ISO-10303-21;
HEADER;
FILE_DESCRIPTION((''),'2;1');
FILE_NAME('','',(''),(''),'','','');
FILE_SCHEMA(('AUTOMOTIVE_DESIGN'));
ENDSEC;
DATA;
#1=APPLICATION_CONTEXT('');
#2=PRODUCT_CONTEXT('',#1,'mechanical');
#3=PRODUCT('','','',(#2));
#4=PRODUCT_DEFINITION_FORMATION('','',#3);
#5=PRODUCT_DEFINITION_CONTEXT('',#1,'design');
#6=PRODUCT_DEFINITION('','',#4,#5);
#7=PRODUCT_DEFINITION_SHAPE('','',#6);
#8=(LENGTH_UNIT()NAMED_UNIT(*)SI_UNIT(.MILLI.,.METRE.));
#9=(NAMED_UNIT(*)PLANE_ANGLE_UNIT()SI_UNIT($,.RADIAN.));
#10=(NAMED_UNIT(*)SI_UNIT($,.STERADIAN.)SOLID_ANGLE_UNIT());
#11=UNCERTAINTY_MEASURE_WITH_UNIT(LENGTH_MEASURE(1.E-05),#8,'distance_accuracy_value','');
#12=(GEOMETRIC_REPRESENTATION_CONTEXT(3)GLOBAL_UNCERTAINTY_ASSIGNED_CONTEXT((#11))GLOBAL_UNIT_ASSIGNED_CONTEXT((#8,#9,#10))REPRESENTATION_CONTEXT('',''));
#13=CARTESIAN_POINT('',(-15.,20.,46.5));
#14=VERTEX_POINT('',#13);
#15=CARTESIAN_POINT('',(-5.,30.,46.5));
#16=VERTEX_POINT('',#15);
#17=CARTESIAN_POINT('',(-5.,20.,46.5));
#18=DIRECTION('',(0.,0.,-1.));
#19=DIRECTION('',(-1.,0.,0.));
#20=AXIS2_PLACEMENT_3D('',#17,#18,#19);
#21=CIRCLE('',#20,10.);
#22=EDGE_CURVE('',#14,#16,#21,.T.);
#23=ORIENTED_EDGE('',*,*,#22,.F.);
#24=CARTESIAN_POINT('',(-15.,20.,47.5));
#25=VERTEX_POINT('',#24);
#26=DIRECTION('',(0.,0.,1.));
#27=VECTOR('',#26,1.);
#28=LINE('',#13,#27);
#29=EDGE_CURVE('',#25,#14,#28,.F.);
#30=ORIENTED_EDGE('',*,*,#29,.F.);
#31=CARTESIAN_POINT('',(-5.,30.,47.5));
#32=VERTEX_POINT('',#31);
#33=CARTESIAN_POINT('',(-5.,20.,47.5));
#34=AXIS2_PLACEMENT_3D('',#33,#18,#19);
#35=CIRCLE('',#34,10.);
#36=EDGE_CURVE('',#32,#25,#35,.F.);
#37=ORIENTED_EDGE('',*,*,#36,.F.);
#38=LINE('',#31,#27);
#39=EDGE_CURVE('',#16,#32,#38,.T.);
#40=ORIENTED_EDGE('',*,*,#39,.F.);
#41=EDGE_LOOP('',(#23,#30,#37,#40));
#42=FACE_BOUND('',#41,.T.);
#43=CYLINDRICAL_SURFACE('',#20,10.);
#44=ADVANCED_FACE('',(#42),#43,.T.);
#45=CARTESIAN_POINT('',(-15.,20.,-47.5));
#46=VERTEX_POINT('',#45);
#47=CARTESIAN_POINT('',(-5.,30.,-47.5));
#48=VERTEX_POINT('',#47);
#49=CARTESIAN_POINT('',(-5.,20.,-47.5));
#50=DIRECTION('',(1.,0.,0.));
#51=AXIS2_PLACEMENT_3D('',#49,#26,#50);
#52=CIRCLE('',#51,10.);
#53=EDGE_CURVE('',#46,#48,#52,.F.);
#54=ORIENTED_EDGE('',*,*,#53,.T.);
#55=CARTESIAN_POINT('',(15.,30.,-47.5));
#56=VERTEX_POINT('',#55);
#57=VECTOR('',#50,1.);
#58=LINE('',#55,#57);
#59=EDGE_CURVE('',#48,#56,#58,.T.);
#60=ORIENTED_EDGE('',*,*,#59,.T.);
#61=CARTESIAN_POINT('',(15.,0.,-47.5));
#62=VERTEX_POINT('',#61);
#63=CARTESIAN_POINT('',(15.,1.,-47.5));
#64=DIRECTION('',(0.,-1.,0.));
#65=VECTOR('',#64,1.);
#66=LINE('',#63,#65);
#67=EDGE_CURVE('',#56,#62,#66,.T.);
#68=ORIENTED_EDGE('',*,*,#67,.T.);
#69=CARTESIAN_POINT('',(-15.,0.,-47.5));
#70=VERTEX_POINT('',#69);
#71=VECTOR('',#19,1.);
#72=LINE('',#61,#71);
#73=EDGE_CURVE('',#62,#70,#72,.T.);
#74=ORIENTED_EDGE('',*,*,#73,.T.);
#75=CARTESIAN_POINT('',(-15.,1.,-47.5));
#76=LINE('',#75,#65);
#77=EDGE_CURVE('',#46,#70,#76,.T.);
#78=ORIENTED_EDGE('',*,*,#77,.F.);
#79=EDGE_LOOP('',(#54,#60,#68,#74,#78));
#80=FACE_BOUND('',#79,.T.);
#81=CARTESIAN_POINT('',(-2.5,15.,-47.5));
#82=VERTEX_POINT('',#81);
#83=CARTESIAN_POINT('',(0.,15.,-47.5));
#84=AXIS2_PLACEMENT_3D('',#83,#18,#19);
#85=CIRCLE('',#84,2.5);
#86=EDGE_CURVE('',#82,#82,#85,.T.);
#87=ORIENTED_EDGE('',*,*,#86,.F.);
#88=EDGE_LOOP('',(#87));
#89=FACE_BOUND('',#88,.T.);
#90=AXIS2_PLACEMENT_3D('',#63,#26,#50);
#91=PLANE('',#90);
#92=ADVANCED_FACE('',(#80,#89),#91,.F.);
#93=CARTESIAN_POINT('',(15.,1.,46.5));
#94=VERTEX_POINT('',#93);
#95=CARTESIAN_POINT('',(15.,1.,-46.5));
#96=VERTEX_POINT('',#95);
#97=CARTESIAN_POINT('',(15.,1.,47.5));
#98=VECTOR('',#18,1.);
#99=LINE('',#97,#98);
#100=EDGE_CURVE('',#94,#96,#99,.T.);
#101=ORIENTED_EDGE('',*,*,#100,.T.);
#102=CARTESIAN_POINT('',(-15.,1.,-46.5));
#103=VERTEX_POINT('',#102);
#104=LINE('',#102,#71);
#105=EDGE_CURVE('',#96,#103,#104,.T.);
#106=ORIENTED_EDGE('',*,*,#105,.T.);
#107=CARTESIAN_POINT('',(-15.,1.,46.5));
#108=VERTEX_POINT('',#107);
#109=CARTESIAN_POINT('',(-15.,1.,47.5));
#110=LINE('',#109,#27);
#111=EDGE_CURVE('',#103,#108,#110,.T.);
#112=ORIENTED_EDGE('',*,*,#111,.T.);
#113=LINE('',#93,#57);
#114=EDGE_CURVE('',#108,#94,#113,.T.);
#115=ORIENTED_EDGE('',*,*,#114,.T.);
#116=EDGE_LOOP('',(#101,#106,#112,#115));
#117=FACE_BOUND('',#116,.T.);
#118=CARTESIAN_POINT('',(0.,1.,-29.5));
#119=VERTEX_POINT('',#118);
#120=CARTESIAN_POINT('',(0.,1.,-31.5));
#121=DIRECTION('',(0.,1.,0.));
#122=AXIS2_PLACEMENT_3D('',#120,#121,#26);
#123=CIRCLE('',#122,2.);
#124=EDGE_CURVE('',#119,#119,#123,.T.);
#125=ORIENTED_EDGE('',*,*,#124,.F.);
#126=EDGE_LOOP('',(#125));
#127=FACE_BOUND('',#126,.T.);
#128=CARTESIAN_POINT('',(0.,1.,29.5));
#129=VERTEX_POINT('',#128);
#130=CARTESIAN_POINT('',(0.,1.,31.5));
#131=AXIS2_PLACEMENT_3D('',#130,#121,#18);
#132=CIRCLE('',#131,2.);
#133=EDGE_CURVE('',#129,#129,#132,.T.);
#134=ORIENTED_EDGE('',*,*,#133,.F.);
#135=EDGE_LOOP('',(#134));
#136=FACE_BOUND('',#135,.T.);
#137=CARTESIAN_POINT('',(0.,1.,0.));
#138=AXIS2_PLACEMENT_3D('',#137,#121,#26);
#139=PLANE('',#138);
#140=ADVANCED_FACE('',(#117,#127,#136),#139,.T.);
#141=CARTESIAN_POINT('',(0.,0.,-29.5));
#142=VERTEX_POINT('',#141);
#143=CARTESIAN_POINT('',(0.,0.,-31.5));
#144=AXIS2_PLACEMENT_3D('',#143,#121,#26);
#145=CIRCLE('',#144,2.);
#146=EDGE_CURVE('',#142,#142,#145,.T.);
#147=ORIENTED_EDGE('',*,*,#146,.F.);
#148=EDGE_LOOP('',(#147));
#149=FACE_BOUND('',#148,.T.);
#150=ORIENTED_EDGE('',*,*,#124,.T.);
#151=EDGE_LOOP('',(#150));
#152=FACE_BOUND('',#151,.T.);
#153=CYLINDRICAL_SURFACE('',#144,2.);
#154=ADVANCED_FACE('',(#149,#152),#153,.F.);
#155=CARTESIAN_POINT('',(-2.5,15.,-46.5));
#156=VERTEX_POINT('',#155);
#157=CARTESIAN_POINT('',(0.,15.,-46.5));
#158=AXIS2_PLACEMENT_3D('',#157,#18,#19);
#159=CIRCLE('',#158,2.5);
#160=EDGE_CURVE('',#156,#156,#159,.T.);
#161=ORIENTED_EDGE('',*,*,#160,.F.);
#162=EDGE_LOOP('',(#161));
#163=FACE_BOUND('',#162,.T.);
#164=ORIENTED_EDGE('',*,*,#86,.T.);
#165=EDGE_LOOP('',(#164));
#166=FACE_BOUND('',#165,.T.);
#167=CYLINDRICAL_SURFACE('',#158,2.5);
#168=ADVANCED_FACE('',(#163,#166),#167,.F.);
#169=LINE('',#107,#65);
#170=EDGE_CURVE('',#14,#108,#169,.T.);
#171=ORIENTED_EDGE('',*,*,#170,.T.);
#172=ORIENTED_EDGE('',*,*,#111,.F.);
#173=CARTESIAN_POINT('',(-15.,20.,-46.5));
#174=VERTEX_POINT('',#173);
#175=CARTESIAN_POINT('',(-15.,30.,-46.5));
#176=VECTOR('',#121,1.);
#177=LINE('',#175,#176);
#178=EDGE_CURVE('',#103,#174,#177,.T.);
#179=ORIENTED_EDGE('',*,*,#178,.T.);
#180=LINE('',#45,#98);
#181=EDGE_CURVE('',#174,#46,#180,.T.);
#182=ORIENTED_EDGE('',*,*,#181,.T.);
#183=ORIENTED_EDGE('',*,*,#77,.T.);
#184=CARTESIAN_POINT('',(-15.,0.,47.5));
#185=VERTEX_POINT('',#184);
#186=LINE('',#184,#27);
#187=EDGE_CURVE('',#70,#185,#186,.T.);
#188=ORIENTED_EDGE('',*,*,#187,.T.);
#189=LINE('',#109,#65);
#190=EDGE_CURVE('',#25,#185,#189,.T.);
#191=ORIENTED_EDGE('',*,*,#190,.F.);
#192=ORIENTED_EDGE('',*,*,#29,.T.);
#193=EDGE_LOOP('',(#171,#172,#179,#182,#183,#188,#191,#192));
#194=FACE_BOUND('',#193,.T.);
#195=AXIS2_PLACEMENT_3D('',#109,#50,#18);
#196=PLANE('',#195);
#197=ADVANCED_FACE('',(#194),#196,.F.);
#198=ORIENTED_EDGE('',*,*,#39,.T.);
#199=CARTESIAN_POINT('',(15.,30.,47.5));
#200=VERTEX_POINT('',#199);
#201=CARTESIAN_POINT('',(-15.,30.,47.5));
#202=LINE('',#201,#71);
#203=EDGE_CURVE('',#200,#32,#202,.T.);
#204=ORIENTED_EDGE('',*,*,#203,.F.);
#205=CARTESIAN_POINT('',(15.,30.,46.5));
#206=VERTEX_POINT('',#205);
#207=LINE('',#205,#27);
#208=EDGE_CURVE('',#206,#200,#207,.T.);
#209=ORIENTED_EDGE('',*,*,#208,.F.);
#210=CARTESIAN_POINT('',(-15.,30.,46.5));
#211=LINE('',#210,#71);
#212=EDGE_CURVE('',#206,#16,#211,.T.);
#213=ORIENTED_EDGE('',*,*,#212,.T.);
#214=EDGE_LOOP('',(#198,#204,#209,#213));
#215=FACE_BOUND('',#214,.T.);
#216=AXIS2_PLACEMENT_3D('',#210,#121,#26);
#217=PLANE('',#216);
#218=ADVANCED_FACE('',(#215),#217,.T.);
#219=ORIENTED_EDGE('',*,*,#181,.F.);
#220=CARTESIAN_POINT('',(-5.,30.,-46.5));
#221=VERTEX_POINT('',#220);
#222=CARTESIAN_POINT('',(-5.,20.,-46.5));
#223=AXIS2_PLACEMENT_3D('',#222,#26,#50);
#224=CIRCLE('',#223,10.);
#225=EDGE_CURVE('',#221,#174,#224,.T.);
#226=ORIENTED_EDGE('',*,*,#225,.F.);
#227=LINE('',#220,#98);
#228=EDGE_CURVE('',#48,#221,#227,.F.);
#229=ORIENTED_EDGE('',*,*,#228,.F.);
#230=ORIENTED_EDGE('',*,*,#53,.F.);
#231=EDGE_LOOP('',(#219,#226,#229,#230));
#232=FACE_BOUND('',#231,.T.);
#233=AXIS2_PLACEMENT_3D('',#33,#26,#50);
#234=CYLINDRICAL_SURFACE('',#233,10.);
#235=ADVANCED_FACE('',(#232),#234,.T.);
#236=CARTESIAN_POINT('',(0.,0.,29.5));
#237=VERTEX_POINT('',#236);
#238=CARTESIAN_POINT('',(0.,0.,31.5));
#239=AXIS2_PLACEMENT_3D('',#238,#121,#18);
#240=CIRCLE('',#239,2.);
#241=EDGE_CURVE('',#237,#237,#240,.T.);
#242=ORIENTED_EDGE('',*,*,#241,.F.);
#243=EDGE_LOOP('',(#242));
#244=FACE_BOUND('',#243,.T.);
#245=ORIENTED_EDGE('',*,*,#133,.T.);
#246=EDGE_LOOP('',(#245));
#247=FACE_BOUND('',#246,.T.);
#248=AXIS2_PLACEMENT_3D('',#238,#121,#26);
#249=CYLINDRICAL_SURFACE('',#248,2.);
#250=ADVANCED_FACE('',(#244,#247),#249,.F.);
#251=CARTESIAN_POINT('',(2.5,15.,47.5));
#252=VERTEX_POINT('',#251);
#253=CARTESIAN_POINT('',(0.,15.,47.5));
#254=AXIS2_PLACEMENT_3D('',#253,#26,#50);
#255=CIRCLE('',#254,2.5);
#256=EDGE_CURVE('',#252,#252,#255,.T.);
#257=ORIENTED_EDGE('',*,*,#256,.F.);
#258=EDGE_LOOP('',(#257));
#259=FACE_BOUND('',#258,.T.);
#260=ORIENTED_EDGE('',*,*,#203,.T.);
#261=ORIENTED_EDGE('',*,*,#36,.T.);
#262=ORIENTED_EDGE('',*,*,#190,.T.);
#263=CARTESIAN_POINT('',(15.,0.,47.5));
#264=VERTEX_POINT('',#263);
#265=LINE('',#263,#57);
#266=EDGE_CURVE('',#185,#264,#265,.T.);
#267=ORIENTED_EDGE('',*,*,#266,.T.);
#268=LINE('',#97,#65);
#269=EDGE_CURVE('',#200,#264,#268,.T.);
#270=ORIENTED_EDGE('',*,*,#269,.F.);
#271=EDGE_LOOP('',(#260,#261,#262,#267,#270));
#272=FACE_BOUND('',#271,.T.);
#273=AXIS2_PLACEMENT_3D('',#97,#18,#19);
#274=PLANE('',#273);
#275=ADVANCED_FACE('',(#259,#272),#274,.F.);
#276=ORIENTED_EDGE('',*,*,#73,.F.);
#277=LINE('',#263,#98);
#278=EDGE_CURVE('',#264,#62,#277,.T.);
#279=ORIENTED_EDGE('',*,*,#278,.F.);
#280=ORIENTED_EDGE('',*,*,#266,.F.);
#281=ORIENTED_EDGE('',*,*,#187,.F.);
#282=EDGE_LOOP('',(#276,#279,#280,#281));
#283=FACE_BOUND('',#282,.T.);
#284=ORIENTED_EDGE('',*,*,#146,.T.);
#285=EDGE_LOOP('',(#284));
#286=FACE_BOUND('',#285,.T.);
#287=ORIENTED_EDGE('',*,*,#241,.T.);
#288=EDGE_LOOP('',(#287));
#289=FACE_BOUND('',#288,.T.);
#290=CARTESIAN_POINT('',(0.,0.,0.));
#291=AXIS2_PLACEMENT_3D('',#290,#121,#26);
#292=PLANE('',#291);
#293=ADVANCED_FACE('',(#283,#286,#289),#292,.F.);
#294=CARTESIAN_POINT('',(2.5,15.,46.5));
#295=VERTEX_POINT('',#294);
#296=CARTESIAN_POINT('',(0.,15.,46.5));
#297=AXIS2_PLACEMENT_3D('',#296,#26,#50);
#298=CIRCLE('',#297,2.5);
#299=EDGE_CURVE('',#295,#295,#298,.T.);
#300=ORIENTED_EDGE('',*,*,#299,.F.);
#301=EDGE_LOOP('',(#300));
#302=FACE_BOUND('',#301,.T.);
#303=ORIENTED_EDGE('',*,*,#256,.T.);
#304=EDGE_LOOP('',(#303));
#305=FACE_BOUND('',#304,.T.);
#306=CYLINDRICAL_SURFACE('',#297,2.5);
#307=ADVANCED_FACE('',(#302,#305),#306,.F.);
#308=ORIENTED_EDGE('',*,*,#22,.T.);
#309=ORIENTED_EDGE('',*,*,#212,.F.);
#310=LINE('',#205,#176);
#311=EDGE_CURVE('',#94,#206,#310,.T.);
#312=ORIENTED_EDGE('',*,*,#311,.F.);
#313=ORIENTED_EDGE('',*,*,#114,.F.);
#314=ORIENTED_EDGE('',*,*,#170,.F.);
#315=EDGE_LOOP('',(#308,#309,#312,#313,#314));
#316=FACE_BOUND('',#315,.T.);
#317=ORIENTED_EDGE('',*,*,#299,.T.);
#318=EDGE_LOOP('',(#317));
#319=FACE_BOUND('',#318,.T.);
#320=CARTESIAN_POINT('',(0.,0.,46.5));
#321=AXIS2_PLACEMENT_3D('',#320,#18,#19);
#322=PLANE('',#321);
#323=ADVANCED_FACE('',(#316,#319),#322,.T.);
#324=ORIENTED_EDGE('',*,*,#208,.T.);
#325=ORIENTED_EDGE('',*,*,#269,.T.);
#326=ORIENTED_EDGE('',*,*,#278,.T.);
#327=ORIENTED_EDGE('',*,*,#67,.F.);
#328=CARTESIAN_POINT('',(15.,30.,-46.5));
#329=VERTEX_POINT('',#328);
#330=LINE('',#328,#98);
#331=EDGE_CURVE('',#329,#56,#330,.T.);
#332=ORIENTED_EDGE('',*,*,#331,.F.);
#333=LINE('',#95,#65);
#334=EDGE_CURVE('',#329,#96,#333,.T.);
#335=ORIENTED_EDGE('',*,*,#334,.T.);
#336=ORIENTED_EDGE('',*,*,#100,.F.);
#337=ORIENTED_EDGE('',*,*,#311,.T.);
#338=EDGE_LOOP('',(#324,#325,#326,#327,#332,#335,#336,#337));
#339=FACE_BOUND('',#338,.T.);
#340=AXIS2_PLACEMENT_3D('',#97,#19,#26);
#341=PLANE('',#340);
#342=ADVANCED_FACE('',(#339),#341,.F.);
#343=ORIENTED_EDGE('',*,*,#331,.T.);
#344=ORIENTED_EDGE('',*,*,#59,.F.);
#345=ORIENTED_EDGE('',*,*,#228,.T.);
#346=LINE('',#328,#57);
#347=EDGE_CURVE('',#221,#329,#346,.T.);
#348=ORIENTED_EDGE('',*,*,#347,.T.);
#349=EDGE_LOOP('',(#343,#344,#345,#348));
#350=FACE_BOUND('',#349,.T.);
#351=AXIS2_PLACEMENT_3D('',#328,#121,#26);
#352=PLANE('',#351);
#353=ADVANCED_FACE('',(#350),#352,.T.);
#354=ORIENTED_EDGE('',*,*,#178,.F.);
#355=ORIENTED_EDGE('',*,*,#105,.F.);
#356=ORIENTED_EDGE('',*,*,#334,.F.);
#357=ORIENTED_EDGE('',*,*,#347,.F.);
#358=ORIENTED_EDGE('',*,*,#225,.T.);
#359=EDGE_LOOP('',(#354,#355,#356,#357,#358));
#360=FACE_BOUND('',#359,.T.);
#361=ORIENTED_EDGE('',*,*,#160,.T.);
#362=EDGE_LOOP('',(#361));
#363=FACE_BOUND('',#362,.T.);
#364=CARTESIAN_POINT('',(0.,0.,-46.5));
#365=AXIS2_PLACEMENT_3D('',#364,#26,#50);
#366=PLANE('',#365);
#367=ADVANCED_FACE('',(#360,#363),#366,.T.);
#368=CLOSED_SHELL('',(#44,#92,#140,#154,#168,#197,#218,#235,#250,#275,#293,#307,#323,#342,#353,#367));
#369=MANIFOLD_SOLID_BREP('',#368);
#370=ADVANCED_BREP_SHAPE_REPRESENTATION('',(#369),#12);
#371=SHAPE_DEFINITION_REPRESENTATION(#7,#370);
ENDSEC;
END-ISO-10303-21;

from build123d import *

# Parameters (mm, degrees)
CROQUIS2_W              = 30
CROQUIS2_H              = 95
SALIENTE_EXTRUIR1_DEPTH = 1
CROQUIS5_W              = 30
CROQUIS5_H              = 29
SALIENTE_EXTRUIR2_DEPTH = 1
CROQUIS6_W              = 30
CROQUIS6_H              = 29
SALIENTE_EXTRUIR3_DEPTH = 1
CROQUIS7_R              = 2.5
CORTAR_EXTRUIR1_DEPTH   = 1
CORTAR_EXTRUIR2_START   = -1
CROQUIS8_R              = 2.5
CORTAR_EXTRUIR2_DEPTH   = 1
REDONDEO1_R             = 10
CROQUIS9_R              = 2
CORTAR_EXTRUIR3_DEPTH   = 1


with BuildPart() as part:
    # Croquis2 → Saliente-Extruir1 (new body)
    with BuildSketch(Plane(origin=(0, 0, 0), x_dir=(1, 0, 0), z_dir=(0, 1, 0))):
        Rectangle(CROQUIS2_W, CROQUIS2_H)
    extrude(amount=SALIENTE_EXTRUIR1_DEPTH)

    # Croquis5 → Saliente-Extruir2 (add)
    with BuildSketch(Plane.XY.offset(47.5)):
        with Locations((0, 15.5)):
            Rectangle(CROQUIS5_W, CROQUIS5_H)
    extrude(amount=-SALIENTE_EXTRUIR2_DEPTH)

    # Croquis6 → Saliente-Extruir3 (add)
    with BuildSketch(Plane(origin=(0, 0, -47.5), x_dir=(-1, 0, 0), z_dir=(0, 0, -1))):
        with Locations((0, 15.5)):
            Rectangle(CROQUIS6_W, CROQUIS6_H)
    extrude(amount=-SALIENTE_EXTRUIR3_DEPTH)

    # Croquis7 → Cortar-Extruir1 (cut)
    with BuildSketch(Plane(origin=(0, 0, -47.5), x_dir=(-1, 0, 0), z_dir=(0, 0, -1))):
        with Locations((0, 15)):
            Circle(CROQUIS7_R)
    extrude(amount=-CORTAR_EXTRUIR1_DEPTH, mode=Mode.SUBTRACT)

    # Croquis8 → Cortar-Extruir2 (cut)
    with BuildSketch(Plane.XY.offset(47.5).offset(CORTAR_EXTRUIR2_START)):
        with Locations(Location((0, 15, 0), (0, 0, 180))):
            Circle(CROQUIS8_R)
    extrude(amount=CORTAR_EXTRUIR2_DEPTH, mode=Mode.SUBTRACT)

    # Redondeo1
    redondeo1_edges = [part.edges().sort_by_distance(p)[0] for p in [
        (-15, 30, 47),
        (-15, 30, -47),
    ]]
    fillet(redondeo1_edges, radius=REDONDEO1_R)

    # Croquis9 → Cortar-Extruir3 (cut)
    with BuildSketch(Plane(origin=(0, 1, 0), x_dir=(1, 0, 0), z_dir=(0, 1, 0))):
        with Locations(Location((0, 31.5, 0), (0, 0, 270))):
            Circle(CROQUIS9_R)
        with Locations(Location((0, -31.5, 0), (0, 0, 90))):
            Circle(CROQUIS9_R)
    extrude(amount=-CORTAR_EXTRUIR3_DEPTH, mode=Mode.SUBTRACT)


solid = part.part
